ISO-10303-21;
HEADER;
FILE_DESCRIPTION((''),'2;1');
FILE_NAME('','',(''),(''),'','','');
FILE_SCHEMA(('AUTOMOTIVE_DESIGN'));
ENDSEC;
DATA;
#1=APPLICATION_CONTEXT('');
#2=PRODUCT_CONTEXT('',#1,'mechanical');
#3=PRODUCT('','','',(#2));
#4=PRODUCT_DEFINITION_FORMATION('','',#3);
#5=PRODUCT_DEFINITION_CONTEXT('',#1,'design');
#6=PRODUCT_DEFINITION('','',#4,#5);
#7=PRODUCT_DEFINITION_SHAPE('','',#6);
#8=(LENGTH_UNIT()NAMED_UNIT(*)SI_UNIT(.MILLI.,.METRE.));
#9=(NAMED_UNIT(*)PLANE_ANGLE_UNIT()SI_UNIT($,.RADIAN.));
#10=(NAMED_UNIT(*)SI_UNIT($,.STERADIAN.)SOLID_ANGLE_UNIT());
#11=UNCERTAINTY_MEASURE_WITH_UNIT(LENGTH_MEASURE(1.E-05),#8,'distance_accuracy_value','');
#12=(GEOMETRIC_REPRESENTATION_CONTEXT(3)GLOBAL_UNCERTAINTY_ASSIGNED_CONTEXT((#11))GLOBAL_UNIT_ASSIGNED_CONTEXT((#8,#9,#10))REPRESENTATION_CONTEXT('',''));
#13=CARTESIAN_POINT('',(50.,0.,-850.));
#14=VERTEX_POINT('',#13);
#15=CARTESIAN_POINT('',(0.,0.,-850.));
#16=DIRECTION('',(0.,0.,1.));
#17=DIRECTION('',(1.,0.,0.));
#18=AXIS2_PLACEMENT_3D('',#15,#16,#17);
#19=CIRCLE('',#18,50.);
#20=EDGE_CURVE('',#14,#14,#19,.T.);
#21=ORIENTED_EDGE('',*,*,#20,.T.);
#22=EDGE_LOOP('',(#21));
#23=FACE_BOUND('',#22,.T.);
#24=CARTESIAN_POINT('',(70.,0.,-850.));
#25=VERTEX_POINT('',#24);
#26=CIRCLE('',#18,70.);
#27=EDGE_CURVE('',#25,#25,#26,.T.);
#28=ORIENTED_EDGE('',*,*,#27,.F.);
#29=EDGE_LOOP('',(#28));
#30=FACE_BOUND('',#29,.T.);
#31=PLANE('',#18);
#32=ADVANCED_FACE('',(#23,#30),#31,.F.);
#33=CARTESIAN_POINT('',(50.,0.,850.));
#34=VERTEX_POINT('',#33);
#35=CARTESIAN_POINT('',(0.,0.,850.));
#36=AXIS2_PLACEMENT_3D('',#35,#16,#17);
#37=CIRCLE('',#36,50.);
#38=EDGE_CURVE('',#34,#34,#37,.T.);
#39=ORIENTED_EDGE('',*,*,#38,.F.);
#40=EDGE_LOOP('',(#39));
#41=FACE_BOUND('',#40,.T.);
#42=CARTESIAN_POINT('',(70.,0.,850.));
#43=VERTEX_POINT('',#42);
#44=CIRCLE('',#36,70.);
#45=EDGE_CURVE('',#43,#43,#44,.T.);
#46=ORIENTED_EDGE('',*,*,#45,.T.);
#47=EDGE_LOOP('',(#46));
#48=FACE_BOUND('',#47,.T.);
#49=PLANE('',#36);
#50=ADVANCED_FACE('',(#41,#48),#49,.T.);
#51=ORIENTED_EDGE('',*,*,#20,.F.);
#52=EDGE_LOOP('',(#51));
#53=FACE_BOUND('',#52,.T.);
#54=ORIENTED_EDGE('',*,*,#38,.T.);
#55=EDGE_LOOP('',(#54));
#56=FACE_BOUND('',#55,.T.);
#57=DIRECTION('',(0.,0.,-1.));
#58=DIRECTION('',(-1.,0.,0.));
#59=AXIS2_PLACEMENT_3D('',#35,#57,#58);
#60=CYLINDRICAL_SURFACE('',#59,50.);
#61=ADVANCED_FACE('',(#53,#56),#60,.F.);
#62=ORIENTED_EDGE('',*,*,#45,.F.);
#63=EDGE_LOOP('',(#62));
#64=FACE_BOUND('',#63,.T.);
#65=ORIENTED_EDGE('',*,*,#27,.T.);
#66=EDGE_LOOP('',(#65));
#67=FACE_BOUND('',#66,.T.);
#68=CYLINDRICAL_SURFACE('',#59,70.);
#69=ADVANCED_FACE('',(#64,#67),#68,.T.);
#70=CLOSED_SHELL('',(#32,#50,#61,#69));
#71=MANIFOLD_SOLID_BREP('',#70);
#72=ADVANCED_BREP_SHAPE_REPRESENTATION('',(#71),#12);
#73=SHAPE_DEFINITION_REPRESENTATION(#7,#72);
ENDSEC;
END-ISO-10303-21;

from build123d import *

# Parameters (mm, degrees)
SKETCH1_R           = 70
SKETCH1_R_2         = 50
BOSS_EXTRUDE1_DEPTH = 850


with BuildPart() as part:
    # Sketch1 → Boss-Extrude1 (new, symmetric)
    with BuildSketch(Plane.XY):
        Circle(SKETCH1_R)
        Circle(SKETCH1_R_2, mode=Mode.SUBTRACT)
    extrude(amount=BOSS_EXTRUDE1_DEPTH, both=True)


solid = part.part
